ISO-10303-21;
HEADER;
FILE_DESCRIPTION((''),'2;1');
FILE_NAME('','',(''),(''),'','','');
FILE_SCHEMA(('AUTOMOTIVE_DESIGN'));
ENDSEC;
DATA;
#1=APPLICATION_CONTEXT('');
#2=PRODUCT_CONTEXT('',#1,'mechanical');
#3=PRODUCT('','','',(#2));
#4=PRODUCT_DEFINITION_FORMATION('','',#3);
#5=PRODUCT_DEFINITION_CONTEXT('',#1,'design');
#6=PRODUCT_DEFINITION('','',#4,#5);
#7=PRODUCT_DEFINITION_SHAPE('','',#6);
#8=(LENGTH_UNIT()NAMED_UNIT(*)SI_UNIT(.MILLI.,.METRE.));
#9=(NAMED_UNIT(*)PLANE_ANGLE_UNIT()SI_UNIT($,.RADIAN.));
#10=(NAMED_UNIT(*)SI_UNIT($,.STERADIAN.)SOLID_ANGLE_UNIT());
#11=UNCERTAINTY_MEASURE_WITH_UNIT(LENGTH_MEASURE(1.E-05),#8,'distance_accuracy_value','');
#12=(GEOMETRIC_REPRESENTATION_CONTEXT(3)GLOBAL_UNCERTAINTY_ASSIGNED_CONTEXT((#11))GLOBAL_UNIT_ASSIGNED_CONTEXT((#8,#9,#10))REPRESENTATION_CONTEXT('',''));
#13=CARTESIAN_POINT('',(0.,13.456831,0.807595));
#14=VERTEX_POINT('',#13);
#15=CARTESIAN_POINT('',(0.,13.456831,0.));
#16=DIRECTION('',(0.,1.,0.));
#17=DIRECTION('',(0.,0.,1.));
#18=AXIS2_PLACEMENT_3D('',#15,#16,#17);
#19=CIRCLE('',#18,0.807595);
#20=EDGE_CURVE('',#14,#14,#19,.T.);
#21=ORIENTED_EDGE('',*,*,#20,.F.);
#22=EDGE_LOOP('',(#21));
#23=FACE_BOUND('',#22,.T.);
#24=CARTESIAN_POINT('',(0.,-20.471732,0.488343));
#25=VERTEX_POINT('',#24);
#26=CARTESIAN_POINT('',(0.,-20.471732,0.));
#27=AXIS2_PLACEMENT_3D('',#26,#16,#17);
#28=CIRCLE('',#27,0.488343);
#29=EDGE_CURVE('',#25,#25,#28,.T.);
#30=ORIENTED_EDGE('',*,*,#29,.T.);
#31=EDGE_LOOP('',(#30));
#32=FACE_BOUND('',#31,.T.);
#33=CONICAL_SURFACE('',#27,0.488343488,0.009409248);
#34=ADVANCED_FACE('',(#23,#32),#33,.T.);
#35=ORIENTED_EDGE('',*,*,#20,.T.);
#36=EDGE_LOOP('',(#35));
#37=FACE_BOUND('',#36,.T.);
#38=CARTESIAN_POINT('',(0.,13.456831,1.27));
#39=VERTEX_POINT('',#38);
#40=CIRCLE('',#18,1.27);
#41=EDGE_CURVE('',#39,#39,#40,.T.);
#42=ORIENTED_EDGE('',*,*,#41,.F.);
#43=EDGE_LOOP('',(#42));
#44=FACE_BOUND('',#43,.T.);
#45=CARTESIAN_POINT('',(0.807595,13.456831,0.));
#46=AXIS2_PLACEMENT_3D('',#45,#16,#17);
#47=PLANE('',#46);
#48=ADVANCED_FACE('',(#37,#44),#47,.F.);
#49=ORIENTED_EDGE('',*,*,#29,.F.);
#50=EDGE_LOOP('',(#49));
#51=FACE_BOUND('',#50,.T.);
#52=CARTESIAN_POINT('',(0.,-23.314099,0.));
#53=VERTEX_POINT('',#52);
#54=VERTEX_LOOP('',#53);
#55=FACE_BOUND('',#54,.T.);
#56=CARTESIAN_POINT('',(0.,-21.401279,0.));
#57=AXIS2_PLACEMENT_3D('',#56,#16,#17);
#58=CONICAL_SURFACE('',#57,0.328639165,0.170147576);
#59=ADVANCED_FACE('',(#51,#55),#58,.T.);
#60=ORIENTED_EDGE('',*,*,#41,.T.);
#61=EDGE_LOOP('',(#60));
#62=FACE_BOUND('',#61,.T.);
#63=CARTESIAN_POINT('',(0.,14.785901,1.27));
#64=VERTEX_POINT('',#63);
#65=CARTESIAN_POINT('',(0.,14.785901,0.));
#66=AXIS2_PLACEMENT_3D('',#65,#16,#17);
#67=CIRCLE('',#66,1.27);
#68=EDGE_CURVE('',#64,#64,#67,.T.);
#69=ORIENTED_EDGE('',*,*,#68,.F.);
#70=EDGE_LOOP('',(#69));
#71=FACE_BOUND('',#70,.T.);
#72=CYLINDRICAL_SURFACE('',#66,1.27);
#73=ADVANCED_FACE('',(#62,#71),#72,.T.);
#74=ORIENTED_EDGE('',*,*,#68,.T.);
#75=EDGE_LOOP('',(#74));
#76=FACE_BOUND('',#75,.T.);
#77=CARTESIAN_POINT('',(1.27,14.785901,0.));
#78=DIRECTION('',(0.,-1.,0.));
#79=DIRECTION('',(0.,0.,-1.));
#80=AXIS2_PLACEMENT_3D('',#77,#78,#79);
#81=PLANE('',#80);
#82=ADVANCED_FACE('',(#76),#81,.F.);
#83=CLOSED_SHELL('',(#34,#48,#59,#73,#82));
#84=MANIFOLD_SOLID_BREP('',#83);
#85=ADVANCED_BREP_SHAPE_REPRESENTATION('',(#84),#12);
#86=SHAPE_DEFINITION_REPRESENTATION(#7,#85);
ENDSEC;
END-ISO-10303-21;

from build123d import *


with BuildPart() as part:
    # Sketch2 → Revolve1 (revolve)
    with BuildSketch(Plane.XY, mode=Mode.PRIVATE) as revolve1_sk:
        Polygon((0, -23.314098837), (0.328639165, -21.401279124), (0.488343488, -20.47173204), (0.807595173, 13.456831395), (1.27, 13.456831395), (1.27, 14.785901163), (0, 14.785901163), align=None)
    revolve(revolve1_sk.sketch.rotate(Axis((0, 14.785901163, 0), (0, -1, 0)), 90), axis=Axis((0, 14.785901163, 0), (0, -1, 0)))


solid = part.part
